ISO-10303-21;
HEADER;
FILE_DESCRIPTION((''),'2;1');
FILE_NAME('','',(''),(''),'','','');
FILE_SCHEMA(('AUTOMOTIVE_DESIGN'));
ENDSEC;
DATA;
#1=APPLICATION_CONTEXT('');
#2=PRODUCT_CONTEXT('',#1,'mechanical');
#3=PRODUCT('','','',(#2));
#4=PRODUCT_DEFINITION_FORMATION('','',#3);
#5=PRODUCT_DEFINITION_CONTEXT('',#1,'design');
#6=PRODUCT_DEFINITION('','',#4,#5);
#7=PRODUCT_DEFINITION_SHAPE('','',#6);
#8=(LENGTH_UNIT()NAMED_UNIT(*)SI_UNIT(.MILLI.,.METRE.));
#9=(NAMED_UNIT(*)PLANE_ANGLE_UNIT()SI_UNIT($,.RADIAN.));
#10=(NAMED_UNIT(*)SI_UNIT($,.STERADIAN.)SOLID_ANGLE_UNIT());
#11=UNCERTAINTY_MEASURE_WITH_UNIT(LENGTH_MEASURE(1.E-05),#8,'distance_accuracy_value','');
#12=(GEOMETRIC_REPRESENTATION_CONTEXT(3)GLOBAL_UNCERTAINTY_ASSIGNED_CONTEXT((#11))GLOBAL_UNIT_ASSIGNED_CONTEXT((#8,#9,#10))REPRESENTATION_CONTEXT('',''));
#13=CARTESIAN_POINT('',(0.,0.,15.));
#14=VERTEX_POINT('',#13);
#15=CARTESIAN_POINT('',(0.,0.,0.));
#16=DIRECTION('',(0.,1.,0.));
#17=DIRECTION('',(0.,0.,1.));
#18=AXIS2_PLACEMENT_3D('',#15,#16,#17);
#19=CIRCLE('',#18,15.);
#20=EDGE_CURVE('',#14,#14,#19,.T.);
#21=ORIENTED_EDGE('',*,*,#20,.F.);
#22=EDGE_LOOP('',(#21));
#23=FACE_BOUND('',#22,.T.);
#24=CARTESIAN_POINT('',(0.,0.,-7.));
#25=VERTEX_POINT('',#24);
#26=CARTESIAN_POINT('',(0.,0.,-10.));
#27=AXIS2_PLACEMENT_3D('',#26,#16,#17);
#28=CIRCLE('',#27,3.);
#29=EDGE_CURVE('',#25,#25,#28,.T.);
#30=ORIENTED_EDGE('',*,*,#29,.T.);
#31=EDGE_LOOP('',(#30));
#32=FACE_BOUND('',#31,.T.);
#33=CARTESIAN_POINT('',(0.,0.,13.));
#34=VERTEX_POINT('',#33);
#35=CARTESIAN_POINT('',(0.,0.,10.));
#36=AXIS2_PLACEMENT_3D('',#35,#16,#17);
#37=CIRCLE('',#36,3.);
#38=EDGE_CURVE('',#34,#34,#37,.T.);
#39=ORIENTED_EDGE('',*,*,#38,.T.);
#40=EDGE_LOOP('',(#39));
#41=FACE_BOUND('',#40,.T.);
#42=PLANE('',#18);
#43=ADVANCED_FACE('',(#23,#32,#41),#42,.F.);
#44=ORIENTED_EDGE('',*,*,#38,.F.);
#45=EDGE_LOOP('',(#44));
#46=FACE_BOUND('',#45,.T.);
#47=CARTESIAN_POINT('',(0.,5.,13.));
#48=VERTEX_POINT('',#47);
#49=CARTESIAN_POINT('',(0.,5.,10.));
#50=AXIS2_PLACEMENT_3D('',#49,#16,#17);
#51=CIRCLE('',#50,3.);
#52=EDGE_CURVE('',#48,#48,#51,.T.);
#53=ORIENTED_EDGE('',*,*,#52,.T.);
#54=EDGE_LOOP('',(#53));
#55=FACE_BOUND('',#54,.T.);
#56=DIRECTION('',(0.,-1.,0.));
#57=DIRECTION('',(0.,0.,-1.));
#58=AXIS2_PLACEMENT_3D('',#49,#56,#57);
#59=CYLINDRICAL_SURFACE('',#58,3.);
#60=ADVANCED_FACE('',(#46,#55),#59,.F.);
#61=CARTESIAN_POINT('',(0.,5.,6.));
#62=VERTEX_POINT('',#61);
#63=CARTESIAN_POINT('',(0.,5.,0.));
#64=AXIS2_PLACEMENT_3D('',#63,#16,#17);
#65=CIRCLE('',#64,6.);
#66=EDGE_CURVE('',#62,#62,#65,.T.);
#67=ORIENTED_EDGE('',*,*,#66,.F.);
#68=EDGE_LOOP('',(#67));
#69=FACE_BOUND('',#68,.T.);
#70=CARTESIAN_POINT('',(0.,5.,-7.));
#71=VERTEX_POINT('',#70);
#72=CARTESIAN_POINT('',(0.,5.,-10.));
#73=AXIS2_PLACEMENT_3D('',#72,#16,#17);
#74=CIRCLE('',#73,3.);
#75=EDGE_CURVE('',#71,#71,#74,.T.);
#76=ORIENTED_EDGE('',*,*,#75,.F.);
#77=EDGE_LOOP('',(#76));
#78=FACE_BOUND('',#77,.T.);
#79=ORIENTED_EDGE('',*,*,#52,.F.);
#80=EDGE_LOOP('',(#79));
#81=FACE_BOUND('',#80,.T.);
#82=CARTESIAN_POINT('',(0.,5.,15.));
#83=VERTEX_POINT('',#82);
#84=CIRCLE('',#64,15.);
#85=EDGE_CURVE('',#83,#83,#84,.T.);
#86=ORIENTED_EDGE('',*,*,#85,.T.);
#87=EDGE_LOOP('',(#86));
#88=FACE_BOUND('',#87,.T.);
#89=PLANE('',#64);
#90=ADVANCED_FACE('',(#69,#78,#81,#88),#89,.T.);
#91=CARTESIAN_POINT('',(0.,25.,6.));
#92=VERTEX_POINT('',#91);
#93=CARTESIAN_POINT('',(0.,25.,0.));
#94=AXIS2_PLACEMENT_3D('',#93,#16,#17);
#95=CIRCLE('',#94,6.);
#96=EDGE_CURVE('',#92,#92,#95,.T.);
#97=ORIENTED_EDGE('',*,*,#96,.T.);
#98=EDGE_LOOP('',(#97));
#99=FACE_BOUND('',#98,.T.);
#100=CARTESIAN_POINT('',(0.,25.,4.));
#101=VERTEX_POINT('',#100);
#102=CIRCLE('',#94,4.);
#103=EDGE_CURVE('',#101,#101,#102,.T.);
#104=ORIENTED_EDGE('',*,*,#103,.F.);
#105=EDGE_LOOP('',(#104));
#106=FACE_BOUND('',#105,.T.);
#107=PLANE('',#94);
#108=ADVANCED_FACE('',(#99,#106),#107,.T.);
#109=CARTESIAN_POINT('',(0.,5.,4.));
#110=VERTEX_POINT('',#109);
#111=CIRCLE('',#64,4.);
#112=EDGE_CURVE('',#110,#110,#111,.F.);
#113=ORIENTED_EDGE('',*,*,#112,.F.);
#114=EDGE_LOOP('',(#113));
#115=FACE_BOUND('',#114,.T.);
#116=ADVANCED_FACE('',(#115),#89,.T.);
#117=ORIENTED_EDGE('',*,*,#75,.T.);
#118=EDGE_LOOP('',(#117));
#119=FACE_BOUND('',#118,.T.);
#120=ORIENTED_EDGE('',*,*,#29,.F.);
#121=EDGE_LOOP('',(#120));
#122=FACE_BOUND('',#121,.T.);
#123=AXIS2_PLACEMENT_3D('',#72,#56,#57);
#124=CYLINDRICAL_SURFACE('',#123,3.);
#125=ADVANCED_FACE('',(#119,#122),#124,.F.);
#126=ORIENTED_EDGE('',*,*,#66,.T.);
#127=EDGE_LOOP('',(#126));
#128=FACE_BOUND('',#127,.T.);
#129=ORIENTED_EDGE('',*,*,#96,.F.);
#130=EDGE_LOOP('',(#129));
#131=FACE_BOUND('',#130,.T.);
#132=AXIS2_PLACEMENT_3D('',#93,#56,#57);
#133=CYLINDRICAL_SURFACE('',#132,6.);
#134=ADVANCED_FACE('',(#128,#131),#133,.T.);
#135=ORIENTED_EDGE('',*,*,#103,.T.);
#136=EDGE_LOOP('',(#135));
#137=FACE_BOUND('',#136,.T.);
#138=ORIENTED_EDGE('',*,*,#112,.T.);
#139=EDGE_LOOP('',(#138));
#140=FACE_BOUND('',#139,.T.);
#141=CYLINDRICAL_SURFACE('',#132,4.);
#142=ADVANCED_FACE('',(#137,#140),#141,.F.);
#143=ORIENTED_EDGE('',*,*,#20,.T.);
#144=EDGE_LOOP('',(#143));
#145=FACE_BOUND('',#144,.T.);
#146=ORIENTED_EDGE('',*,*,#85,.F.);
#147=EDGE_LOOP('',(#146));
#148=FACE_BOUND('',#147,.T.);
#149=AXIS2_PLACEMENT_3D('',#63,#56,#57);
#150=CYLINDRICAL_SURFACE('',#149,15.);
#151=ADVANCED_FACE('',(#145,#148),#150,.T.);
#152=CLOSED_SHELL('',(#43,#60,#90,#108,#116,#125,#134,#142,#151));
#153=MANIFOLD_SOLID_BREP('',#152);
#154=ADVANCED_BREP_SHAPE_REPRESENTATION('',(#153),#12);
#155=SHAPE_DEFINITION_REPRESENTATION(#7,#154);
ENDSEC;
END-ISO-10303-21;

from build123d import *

# Parameters (mm, degrees)
SKETCH1_R           = 15
SKETCH1_R_2         = 3
BOSS_EXTRUDE1_DEPTH = 5
SKETCH2_R           = 6
SKETCH2_R_2         = 4
BOSS_EXTRUDE2_DEPTH = 20


with BuildPart() as part:
    # Sketch1 → Boss-Extrude1 (new body)
    with BuildSketch(Plane(origin=(0, 0, 0), x_dir=(1, 0, 0), z_dir=(0, 1, 0))):
        Circle(SKETCH1_R)
        with Locations((0, 10)):
            Circle(SKETCH1_R_2, mode=Mode.SUBTRACT)
        with Locations((0, -10)):
            Circle(SKETCH1_R_2, mode=Mode.SUBTRACT)
    extrude(amount=BOSS_EXTRUDE1_DEPTH)

    # Sketch2 → Boss-Extrude2 (add)
    with BuildSketch(Plane(origin=(0, 5, 0), x_dir=(1, 0, 0), z_dir=(0, 1, 0))):
        Circle(SKETCH2_R)
        Circle(SKETCH2_R_2, mode=Mode.SUBTRACT)
    extrude(amount=BOSS_EXTRUDE2_DEPTH)


solid = part.part
